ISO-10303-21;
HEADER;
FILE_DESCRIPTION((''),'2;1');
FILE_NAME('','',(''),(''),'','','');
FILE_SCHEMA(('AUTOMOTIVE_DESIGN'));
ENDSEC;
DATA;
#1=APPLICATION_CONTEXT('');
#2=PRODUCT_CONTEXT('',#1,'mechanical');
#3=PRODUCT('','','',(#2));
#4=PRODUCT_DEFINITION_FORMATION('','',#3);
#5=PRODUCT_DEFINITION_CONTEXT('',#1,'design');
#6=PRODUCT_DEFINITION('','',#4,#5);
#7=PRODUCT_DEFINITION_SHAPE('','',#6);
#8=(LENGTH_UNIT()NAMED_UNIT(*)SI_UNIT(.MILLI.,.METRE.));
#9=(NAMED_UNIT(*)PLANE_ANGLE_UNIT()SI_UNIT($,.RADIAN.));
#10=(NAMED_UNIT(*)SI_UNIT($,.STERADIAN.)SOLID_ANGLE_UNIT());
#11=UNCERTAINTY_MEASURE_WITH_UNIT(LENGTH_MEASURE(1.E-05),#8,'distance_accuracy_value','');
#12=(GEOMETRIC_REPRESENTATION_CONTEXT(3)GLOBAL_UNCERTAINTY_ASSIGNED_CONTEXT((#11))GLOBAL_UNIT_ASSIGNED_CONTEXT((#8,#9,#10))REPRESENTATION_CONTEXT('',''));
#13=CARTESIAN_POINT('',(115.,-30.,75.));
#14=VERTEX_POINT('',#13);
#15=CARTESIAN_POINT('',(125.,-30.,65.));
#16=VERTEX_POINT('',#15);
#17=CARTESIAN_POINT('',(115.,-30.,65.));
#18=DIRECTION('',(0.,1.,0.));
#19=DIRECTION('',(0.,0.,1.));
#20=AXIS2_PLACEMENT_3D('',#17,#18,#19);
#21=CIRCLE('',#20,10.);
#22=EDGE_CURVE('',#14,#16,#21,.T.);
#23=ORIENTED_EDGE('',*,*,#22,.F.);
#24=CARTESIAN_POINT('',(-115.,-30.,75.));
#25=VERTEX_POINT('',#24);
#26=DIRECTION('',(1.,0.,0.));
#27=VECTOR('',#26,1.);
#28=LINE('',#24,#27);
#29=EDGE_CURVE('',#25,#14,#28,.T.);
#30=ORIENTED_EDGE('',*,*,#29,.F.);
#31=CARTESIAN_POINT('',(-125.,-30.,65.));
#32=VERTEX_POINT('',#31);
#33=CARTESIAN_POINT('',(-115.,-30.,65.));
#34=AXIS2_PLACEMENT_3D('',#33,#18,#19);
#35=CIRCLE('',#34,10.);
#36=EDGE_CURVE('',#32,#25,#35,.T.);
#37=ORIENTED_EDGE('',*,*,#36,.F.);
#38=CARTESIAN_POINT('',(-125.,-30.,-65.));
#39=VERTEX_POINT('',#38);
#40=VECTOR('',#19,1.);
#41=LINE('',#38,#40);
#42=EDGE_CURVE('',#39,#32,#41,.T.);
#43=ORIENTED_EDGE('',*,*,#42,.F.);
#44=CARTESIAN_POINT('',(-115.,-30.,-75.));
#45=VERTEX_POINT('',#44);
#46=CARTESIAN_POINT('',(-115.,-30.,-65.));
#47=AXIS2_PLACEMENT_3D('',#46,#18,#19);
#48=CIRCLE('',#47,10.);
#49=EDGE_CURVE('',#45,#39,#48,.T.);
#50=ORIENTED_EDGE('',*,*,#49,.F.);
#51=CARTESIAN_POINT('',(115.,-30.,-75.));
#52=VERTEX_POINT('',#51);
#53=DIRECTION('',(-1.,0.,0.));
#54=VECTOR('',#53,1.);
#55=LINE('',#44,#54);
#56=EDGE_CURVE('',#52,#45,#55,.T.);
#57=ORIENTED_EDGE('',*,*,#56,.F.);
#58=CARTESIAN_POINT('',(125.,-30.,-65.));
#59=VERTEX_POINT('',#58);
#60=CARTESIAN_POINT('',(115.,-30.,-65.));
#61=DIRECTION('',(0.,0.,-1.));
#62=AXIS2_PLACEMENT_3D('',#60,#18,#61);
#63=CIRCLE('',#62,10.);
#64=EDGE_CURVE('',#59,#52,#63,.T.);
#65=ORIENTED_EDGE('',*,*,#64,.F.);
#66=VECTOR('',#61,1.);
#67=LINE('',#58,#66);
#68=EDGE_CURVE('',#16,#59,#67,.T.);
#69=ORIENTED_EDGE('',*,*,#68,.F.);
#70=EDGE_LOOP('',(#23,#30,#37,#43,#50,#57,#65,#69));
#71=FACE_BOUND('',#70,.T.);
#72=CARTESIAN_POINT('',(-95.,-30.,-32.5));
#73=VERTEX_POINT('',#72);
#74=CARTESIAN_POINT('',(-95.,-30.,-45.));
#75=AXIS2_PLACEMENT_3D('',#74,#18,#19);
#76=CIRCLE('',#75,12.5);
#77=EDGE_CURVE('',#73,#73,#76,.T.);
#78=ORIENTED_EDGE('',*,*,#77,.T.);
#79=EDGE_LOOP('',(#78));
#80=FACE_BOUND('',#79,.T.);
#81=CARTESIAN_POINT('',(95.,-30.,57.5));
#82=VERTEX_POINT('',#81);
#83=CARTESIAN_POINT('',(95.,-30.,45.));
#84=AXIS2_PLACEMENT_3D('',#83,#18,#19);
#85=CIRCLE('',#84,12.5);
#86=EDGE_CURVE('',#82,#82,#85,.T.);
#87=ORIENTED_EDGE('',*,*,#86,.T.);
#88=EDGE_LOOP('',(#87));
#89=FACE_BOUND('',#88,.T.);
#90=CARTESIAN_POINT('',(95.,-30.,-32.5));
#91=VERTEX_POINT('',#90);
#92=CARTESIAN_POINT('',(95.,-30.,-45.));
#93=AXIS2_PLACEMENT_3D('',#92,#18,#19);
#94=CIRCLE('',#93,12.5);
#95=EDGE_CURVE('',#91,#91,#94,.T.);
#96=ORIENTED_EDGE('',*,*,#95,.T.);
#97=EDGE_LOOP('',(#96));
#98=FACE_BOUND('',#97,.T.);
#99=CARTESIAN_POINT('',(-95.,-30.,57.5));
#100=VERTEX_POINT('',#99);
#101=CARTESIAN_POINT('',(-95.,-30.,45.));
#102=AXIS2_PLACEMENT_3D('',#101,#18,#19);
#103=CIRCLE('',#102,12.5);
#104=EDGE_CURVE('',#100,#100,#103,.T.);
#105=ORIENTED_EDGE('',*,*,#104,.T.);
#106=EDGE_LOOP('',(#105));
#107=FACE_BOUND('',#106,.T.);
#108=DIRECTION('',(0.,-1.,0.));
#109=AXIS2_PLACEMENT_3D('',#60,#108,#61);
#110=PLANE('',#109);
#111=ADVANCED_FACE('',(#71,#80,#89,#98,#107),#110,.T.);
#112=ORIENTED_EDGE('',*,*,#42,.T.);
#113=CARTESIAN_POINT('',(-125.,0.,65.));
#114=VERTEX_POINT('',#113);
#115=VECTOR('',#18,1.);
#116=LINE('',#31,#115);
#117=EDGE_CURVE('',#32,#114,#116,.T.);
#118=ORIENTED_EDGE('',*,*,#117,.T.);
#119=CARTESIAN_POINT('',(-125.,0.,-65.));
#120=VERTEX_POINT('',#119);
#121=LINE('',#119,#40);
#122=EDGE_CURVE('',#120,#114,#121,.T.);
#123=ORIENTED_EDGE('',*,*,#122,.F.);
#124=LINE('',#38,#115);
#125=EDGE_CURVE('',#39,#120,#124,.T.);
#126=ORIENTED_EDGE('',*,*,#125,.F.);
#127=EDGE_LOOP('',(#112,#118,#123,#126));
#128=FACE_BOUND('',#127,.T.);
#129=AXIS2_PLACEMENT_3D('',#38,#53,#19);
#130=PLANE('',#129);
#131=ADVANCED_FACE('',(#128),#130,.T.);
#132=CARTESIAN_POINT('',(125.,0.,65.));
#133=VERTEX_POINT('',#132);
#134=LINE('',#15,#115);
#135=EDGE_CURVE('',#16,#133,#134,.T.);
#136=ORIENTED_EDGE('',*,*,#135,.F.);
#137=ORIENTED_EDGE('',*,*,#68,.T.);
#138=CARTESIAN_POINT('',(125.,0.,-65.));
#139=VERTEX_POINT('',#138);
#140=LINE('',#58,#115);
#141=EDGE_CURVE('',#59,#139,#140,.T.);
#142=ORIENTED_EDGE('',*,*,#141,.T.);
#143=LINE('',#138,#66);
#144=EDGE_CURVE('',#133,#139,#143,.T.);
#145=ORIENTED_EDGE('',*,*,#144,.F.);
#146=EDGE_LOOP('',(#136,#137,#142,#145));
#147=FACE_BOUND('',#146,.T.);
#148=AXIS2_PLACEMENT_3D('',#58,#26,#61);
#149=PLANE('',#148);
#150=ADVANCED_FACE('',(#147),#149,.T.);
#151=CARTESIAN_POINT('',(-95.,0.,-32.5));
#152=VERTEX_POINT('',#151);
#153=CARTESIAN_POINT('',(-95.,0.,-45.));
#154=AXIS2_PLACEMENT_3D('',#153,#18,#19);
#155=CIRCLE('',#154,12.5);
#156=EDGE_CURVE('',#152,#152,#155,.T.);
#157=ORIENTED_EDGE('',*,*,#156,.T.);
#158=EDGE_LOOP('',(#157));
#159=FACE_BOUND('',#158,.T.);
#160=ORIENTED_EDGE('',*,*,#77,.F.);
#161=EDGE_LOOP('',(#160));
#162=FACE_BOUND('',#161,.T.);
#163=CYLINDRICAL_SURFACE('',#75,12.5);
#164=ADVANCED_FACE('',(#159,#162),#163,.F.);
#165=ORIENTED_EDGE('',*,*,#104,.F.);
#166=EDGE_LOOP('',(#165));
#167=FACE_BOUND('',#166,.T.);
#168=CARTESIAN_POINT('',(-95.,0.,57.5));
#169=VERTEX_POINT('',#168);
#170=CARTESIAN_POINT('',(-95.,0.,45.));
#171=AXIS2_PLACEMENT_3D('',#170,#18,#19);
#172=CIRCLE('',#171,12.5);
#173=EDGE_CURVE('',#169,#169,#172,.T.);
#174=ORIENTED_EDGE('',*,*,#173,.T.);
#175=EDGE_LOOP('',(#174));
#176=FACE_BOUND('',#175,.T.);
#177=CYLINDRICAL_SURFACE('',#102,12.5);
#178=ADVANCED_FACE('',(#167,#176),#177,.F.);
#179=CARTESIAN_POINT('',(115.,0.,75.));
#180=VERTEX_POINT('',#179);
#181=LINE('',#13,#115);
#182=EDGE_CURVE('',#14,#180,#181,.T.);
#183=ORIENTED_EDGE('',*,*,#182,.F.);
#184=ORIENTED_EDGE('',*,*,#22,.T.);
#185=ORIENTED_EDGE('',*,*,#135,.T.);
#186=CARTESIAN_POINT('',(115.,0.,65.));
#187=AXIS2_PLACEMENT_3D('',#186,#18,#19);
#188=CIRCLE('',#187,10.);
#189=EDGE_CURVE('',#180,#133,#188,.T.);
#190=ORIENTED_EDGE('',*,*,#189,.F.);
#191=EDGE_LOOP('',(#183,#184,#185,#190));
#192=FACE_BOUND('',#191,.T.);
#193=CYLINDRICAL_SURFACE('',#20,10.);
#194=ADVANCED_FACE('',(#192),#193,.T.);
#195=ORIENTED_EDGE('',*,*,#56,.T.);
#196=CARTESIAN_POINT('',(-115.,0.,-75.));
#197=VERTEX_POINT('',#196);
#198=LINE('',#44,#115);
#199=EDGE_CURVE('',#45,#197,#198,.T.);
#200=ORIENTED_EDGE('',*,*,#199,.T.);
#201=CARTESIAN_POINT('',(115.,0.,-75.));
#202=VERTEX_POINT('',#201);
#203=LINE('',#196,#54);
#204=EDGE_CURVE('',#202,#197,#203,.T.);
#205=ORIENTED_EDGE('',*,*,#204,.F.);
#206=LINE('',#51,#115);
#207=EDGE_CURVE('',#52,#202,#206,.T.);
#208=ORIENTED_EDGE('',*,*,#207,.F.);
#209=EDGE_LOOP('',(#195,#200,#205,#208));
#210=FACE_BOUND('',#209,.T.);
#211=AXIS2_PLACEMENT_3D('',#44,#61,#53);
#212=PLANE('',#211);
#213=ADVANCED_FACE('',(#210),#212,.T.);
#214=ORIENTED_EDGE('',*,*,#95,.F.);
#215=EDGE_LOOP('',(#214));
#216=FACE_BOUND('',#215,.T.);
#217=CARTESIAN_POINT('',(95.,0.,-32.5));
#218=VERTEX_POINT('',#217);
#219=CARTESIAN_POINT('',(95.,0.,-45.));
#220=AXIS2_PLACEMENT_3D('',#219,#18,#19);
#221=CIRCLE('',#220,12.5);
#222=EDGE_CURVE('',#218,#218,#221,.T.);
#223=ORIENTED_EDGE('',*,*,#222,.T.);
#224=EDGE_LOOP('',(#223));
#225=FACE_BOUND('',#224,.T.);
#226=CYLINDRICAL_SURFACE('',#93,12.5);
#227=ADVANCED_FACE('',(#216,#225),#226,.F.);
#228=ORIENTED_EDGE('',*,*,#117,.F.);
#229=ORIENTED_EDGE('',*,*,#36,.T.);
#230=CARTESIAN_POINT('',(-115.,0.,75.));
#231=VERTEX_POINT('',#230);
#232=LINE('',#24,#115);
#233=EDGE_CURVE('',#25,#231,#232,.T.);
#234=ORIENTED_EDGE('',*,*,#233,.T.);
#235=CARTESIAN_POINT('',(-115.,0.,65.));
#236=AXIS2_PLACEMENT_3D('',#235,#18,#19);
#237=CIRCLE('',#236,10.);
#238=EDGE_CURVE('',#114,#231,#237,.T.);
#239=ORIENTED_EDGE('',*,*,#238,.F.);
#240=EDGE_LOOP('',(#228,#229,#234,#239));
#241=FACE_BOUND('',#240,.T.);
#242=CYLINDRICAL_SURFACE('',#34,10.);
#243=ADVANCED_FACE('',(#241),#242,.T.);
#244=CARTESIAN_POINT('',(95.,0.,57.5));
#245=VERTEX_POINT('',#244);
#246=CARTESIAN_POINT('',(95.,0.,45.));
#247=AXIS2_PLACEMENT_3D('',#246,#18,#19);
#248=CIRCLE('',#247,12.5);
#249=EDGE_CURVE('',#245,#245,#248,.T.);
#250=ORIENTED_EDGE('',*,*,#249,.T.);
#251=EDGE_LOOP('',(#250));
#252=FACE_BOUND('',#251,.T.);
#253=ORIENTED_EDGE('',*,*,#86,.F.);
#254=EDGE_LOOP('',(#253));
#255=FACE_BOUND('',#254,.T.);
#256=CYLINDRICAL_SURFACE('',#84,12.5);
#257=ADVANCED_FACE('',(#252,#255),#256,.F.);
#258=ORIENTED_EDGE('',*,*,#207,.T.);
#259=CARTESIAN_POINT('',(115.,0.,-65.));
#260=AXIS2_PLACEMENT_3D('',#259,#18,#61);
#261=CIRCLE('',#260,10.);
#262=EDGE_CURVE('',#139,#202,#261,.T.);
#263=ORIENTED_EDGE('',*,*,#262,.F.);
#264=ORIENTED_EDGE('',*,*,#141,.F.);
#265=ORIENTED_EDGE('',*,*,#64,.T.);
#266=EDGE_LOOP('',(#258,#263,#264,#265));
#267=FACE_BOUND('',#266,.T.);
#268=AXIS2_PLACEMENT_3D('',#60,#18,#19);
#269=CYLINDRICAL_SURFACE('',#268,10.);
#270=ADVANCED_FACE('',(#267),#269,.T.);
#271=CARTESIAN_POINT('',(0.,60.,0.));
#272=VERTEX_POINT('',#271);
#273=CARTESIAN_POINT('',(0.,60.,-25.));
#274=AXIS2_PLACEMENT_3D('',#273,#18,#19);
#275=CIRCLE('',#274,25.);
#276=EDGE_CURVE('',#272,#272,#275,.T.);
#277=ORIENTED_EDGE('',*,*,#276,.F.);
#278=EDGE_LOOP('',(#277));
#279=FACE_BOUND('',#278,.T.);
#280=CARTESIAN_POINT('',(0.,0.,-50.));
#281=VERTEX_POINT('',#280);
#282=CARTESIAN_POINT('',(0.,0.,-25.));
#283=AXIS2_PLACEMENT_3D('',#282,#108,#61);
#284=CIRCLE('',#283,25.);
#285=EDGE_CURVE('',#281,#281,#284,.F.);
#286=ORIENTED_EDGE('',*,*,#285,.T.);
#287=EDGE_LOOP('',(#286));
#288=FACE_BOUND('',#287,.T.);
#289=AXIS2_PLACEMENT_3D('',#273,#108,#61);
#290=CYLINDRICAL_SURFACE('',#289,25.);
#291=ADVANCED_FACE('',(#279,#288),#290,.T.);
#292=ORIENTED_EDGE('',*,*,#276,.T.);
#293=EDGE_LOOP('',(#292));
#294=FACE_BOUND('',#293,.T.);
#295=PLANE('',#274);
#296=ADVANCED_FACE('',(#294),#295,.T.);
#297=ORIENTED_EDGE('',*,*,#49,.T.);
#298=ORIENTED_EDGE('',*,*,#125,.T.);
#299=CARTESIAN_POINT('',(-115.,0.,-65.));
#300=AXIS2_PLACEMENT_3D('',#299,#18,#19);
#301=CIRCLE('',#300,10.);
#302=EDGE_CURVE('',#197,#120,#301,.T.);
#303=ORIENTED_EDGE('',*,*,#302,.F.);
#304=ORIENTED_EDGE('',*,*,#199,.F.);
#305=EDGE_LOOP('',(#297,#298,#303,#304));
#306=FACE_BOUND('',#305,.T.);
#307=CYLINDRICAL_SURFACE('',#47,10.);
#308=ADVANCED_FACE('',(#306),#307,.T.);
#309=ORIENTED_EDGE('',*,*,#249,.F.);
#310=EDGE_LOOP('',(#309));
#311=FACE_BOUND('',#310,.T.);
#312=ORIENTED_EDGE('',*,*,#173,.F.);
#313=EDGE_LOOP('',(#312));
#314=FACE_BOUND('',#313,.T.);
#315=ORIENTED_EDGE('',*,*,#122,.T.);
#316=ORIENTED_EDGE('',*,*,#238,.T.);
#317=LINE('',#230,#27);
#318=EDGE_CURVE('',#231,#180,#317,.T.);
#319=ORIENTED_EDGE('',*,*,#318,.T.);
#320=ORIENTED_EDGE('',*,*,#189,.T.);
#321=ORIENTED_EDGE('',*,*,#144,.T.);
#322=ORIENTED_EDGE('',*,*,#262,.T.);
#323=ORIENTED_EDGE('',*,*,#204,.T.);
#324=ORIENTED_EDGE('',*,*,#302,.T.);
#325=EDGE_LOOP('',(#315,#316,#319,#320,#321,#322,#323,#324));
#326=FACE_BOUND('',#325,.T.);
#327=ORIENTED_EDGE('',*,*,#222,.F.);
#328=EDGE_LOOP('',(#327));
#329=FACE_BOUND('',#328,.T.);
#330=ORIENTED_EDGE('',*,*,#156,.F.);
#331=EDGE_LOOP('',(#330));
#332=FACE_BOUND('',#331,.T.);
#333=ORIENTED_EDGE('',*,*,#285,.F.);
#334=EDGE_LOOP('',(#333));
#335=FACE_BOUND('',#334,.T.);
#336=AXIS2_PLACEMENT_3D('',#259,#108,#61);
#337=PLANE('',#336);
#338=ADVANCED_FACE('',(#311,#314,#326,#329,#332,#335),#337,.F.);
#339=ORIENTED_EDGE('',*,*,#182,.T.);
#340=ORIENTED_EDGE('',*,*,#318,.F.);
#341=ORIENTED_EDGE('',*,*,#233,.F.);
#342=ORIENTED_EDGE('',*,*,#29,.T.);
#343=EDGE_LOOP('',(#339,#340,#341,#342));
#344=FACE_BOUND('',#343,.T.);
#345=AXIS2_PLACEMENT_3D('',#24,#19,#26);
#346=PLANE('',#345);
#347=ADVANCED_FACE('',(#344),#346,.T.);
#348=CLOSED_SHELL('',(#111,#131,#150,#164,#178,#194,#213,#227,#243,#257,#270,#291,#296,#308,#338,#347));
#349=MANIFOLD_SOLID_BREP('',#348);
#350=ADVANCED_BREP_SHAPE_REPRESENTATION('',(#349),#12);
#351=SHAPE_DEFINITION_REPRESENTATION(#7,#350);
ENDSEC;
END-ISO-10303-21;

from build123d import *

# Parameters (mm, degrees)
Y_KSEKLIK_EKSTR_ZYON1_DEPTH = 30
IZIM2_R                     = 25
Y_KSEKLIK_EKSTR_ZYON2_DEPTH = 60
IZIM3_R                     = 12.5
KES_EKSTR_ZYON1_DEPTH       = 158.638827704
L_O_ALTMA2_COUNT            = 2
L_O_ALTMA2_PITCH            = 190
L_O_ALTMA2_COUNT_DIR2       = 2
L_O_ALTMA2_PITCH_DIR2       = 90


with BuildPart() as part:
    # Çizim1 → Yükseklik-Ekstrüzyon1 (new body)
    with BuildSketch(Plane(origin=(0, 0, 0), x_dir=(1, 0, 0), z_dir=(0, 1, 0))):
        with BuildLine():
            Line((-115, 75), (115, 75))
            ThreePointArc((115, 75), (122.071067812, 72.071067812), (125, 65))
            Line((125, 65), (125, -65))
            ThreePointArc((125, -65), (122.071067812, -72.071067812), (115, -75))
            Line((115, -75), (-115, -75))
            ThreePointArc((-115, -75), (-122.071067812, -72.071067812), (-125, -65))
            Line((-125, -65), (-125, 65))
            ThreePointArc((-125, 65), (-122.071067812, 72.071067812), (-115, 75))
        make_face()
    extrude(amount=-Y_KSEKLIK_EKSTR_ZYON1_DEPTH)

    # Çizim2 → Yükseklik-Ekstrüzyon2 (add)
    with BuildSketch(Plane(origin=(0, 0, 0), x_dir=(1, 0, 0), z_dir=(0, 1, 0))):
        with Locations(Location((0, 25, 0), (0, 0, 90))):
            Circle(IZIM2_R)
    extrude(amount=Y_KSEKLIK_EKSTR_ZYON2_DEPTH)

    # Çizim3 → Kes-Ekstrüzyon1 (cut, through all)
    with BuildSketch(Plane(origin=(0, 0, 0), x_dir=(1, 0, 0), z_dir=(0, 1, 0))):
        with Locations(Location((-95, 45, 0), (0, 0, 270))):
            Circle(IZIM3_R)
    kes_ekstr_zyon1 = extrude(amount=-KES_EKSTR_ZYON1_DEPTH, mode=Mode.SUBTRACT)

    # LÇoğaltma2: Kes-Ekstr_zyon1 2 × 2
    with Locations(*[(i * L_O_ALTMA2_PITCH, 0, j * L_O_ALTMA2_PITCH_DIR2) for i in range(L_O_ALTMA2_COUNT) for j in range(L_O_ALTMA2_COUNT_DIR2) if (i, j) != (0, 0)]):
        add(kes_ekstr_zyon1, mode=Mode.SUBTRACT)


solid = part.part
